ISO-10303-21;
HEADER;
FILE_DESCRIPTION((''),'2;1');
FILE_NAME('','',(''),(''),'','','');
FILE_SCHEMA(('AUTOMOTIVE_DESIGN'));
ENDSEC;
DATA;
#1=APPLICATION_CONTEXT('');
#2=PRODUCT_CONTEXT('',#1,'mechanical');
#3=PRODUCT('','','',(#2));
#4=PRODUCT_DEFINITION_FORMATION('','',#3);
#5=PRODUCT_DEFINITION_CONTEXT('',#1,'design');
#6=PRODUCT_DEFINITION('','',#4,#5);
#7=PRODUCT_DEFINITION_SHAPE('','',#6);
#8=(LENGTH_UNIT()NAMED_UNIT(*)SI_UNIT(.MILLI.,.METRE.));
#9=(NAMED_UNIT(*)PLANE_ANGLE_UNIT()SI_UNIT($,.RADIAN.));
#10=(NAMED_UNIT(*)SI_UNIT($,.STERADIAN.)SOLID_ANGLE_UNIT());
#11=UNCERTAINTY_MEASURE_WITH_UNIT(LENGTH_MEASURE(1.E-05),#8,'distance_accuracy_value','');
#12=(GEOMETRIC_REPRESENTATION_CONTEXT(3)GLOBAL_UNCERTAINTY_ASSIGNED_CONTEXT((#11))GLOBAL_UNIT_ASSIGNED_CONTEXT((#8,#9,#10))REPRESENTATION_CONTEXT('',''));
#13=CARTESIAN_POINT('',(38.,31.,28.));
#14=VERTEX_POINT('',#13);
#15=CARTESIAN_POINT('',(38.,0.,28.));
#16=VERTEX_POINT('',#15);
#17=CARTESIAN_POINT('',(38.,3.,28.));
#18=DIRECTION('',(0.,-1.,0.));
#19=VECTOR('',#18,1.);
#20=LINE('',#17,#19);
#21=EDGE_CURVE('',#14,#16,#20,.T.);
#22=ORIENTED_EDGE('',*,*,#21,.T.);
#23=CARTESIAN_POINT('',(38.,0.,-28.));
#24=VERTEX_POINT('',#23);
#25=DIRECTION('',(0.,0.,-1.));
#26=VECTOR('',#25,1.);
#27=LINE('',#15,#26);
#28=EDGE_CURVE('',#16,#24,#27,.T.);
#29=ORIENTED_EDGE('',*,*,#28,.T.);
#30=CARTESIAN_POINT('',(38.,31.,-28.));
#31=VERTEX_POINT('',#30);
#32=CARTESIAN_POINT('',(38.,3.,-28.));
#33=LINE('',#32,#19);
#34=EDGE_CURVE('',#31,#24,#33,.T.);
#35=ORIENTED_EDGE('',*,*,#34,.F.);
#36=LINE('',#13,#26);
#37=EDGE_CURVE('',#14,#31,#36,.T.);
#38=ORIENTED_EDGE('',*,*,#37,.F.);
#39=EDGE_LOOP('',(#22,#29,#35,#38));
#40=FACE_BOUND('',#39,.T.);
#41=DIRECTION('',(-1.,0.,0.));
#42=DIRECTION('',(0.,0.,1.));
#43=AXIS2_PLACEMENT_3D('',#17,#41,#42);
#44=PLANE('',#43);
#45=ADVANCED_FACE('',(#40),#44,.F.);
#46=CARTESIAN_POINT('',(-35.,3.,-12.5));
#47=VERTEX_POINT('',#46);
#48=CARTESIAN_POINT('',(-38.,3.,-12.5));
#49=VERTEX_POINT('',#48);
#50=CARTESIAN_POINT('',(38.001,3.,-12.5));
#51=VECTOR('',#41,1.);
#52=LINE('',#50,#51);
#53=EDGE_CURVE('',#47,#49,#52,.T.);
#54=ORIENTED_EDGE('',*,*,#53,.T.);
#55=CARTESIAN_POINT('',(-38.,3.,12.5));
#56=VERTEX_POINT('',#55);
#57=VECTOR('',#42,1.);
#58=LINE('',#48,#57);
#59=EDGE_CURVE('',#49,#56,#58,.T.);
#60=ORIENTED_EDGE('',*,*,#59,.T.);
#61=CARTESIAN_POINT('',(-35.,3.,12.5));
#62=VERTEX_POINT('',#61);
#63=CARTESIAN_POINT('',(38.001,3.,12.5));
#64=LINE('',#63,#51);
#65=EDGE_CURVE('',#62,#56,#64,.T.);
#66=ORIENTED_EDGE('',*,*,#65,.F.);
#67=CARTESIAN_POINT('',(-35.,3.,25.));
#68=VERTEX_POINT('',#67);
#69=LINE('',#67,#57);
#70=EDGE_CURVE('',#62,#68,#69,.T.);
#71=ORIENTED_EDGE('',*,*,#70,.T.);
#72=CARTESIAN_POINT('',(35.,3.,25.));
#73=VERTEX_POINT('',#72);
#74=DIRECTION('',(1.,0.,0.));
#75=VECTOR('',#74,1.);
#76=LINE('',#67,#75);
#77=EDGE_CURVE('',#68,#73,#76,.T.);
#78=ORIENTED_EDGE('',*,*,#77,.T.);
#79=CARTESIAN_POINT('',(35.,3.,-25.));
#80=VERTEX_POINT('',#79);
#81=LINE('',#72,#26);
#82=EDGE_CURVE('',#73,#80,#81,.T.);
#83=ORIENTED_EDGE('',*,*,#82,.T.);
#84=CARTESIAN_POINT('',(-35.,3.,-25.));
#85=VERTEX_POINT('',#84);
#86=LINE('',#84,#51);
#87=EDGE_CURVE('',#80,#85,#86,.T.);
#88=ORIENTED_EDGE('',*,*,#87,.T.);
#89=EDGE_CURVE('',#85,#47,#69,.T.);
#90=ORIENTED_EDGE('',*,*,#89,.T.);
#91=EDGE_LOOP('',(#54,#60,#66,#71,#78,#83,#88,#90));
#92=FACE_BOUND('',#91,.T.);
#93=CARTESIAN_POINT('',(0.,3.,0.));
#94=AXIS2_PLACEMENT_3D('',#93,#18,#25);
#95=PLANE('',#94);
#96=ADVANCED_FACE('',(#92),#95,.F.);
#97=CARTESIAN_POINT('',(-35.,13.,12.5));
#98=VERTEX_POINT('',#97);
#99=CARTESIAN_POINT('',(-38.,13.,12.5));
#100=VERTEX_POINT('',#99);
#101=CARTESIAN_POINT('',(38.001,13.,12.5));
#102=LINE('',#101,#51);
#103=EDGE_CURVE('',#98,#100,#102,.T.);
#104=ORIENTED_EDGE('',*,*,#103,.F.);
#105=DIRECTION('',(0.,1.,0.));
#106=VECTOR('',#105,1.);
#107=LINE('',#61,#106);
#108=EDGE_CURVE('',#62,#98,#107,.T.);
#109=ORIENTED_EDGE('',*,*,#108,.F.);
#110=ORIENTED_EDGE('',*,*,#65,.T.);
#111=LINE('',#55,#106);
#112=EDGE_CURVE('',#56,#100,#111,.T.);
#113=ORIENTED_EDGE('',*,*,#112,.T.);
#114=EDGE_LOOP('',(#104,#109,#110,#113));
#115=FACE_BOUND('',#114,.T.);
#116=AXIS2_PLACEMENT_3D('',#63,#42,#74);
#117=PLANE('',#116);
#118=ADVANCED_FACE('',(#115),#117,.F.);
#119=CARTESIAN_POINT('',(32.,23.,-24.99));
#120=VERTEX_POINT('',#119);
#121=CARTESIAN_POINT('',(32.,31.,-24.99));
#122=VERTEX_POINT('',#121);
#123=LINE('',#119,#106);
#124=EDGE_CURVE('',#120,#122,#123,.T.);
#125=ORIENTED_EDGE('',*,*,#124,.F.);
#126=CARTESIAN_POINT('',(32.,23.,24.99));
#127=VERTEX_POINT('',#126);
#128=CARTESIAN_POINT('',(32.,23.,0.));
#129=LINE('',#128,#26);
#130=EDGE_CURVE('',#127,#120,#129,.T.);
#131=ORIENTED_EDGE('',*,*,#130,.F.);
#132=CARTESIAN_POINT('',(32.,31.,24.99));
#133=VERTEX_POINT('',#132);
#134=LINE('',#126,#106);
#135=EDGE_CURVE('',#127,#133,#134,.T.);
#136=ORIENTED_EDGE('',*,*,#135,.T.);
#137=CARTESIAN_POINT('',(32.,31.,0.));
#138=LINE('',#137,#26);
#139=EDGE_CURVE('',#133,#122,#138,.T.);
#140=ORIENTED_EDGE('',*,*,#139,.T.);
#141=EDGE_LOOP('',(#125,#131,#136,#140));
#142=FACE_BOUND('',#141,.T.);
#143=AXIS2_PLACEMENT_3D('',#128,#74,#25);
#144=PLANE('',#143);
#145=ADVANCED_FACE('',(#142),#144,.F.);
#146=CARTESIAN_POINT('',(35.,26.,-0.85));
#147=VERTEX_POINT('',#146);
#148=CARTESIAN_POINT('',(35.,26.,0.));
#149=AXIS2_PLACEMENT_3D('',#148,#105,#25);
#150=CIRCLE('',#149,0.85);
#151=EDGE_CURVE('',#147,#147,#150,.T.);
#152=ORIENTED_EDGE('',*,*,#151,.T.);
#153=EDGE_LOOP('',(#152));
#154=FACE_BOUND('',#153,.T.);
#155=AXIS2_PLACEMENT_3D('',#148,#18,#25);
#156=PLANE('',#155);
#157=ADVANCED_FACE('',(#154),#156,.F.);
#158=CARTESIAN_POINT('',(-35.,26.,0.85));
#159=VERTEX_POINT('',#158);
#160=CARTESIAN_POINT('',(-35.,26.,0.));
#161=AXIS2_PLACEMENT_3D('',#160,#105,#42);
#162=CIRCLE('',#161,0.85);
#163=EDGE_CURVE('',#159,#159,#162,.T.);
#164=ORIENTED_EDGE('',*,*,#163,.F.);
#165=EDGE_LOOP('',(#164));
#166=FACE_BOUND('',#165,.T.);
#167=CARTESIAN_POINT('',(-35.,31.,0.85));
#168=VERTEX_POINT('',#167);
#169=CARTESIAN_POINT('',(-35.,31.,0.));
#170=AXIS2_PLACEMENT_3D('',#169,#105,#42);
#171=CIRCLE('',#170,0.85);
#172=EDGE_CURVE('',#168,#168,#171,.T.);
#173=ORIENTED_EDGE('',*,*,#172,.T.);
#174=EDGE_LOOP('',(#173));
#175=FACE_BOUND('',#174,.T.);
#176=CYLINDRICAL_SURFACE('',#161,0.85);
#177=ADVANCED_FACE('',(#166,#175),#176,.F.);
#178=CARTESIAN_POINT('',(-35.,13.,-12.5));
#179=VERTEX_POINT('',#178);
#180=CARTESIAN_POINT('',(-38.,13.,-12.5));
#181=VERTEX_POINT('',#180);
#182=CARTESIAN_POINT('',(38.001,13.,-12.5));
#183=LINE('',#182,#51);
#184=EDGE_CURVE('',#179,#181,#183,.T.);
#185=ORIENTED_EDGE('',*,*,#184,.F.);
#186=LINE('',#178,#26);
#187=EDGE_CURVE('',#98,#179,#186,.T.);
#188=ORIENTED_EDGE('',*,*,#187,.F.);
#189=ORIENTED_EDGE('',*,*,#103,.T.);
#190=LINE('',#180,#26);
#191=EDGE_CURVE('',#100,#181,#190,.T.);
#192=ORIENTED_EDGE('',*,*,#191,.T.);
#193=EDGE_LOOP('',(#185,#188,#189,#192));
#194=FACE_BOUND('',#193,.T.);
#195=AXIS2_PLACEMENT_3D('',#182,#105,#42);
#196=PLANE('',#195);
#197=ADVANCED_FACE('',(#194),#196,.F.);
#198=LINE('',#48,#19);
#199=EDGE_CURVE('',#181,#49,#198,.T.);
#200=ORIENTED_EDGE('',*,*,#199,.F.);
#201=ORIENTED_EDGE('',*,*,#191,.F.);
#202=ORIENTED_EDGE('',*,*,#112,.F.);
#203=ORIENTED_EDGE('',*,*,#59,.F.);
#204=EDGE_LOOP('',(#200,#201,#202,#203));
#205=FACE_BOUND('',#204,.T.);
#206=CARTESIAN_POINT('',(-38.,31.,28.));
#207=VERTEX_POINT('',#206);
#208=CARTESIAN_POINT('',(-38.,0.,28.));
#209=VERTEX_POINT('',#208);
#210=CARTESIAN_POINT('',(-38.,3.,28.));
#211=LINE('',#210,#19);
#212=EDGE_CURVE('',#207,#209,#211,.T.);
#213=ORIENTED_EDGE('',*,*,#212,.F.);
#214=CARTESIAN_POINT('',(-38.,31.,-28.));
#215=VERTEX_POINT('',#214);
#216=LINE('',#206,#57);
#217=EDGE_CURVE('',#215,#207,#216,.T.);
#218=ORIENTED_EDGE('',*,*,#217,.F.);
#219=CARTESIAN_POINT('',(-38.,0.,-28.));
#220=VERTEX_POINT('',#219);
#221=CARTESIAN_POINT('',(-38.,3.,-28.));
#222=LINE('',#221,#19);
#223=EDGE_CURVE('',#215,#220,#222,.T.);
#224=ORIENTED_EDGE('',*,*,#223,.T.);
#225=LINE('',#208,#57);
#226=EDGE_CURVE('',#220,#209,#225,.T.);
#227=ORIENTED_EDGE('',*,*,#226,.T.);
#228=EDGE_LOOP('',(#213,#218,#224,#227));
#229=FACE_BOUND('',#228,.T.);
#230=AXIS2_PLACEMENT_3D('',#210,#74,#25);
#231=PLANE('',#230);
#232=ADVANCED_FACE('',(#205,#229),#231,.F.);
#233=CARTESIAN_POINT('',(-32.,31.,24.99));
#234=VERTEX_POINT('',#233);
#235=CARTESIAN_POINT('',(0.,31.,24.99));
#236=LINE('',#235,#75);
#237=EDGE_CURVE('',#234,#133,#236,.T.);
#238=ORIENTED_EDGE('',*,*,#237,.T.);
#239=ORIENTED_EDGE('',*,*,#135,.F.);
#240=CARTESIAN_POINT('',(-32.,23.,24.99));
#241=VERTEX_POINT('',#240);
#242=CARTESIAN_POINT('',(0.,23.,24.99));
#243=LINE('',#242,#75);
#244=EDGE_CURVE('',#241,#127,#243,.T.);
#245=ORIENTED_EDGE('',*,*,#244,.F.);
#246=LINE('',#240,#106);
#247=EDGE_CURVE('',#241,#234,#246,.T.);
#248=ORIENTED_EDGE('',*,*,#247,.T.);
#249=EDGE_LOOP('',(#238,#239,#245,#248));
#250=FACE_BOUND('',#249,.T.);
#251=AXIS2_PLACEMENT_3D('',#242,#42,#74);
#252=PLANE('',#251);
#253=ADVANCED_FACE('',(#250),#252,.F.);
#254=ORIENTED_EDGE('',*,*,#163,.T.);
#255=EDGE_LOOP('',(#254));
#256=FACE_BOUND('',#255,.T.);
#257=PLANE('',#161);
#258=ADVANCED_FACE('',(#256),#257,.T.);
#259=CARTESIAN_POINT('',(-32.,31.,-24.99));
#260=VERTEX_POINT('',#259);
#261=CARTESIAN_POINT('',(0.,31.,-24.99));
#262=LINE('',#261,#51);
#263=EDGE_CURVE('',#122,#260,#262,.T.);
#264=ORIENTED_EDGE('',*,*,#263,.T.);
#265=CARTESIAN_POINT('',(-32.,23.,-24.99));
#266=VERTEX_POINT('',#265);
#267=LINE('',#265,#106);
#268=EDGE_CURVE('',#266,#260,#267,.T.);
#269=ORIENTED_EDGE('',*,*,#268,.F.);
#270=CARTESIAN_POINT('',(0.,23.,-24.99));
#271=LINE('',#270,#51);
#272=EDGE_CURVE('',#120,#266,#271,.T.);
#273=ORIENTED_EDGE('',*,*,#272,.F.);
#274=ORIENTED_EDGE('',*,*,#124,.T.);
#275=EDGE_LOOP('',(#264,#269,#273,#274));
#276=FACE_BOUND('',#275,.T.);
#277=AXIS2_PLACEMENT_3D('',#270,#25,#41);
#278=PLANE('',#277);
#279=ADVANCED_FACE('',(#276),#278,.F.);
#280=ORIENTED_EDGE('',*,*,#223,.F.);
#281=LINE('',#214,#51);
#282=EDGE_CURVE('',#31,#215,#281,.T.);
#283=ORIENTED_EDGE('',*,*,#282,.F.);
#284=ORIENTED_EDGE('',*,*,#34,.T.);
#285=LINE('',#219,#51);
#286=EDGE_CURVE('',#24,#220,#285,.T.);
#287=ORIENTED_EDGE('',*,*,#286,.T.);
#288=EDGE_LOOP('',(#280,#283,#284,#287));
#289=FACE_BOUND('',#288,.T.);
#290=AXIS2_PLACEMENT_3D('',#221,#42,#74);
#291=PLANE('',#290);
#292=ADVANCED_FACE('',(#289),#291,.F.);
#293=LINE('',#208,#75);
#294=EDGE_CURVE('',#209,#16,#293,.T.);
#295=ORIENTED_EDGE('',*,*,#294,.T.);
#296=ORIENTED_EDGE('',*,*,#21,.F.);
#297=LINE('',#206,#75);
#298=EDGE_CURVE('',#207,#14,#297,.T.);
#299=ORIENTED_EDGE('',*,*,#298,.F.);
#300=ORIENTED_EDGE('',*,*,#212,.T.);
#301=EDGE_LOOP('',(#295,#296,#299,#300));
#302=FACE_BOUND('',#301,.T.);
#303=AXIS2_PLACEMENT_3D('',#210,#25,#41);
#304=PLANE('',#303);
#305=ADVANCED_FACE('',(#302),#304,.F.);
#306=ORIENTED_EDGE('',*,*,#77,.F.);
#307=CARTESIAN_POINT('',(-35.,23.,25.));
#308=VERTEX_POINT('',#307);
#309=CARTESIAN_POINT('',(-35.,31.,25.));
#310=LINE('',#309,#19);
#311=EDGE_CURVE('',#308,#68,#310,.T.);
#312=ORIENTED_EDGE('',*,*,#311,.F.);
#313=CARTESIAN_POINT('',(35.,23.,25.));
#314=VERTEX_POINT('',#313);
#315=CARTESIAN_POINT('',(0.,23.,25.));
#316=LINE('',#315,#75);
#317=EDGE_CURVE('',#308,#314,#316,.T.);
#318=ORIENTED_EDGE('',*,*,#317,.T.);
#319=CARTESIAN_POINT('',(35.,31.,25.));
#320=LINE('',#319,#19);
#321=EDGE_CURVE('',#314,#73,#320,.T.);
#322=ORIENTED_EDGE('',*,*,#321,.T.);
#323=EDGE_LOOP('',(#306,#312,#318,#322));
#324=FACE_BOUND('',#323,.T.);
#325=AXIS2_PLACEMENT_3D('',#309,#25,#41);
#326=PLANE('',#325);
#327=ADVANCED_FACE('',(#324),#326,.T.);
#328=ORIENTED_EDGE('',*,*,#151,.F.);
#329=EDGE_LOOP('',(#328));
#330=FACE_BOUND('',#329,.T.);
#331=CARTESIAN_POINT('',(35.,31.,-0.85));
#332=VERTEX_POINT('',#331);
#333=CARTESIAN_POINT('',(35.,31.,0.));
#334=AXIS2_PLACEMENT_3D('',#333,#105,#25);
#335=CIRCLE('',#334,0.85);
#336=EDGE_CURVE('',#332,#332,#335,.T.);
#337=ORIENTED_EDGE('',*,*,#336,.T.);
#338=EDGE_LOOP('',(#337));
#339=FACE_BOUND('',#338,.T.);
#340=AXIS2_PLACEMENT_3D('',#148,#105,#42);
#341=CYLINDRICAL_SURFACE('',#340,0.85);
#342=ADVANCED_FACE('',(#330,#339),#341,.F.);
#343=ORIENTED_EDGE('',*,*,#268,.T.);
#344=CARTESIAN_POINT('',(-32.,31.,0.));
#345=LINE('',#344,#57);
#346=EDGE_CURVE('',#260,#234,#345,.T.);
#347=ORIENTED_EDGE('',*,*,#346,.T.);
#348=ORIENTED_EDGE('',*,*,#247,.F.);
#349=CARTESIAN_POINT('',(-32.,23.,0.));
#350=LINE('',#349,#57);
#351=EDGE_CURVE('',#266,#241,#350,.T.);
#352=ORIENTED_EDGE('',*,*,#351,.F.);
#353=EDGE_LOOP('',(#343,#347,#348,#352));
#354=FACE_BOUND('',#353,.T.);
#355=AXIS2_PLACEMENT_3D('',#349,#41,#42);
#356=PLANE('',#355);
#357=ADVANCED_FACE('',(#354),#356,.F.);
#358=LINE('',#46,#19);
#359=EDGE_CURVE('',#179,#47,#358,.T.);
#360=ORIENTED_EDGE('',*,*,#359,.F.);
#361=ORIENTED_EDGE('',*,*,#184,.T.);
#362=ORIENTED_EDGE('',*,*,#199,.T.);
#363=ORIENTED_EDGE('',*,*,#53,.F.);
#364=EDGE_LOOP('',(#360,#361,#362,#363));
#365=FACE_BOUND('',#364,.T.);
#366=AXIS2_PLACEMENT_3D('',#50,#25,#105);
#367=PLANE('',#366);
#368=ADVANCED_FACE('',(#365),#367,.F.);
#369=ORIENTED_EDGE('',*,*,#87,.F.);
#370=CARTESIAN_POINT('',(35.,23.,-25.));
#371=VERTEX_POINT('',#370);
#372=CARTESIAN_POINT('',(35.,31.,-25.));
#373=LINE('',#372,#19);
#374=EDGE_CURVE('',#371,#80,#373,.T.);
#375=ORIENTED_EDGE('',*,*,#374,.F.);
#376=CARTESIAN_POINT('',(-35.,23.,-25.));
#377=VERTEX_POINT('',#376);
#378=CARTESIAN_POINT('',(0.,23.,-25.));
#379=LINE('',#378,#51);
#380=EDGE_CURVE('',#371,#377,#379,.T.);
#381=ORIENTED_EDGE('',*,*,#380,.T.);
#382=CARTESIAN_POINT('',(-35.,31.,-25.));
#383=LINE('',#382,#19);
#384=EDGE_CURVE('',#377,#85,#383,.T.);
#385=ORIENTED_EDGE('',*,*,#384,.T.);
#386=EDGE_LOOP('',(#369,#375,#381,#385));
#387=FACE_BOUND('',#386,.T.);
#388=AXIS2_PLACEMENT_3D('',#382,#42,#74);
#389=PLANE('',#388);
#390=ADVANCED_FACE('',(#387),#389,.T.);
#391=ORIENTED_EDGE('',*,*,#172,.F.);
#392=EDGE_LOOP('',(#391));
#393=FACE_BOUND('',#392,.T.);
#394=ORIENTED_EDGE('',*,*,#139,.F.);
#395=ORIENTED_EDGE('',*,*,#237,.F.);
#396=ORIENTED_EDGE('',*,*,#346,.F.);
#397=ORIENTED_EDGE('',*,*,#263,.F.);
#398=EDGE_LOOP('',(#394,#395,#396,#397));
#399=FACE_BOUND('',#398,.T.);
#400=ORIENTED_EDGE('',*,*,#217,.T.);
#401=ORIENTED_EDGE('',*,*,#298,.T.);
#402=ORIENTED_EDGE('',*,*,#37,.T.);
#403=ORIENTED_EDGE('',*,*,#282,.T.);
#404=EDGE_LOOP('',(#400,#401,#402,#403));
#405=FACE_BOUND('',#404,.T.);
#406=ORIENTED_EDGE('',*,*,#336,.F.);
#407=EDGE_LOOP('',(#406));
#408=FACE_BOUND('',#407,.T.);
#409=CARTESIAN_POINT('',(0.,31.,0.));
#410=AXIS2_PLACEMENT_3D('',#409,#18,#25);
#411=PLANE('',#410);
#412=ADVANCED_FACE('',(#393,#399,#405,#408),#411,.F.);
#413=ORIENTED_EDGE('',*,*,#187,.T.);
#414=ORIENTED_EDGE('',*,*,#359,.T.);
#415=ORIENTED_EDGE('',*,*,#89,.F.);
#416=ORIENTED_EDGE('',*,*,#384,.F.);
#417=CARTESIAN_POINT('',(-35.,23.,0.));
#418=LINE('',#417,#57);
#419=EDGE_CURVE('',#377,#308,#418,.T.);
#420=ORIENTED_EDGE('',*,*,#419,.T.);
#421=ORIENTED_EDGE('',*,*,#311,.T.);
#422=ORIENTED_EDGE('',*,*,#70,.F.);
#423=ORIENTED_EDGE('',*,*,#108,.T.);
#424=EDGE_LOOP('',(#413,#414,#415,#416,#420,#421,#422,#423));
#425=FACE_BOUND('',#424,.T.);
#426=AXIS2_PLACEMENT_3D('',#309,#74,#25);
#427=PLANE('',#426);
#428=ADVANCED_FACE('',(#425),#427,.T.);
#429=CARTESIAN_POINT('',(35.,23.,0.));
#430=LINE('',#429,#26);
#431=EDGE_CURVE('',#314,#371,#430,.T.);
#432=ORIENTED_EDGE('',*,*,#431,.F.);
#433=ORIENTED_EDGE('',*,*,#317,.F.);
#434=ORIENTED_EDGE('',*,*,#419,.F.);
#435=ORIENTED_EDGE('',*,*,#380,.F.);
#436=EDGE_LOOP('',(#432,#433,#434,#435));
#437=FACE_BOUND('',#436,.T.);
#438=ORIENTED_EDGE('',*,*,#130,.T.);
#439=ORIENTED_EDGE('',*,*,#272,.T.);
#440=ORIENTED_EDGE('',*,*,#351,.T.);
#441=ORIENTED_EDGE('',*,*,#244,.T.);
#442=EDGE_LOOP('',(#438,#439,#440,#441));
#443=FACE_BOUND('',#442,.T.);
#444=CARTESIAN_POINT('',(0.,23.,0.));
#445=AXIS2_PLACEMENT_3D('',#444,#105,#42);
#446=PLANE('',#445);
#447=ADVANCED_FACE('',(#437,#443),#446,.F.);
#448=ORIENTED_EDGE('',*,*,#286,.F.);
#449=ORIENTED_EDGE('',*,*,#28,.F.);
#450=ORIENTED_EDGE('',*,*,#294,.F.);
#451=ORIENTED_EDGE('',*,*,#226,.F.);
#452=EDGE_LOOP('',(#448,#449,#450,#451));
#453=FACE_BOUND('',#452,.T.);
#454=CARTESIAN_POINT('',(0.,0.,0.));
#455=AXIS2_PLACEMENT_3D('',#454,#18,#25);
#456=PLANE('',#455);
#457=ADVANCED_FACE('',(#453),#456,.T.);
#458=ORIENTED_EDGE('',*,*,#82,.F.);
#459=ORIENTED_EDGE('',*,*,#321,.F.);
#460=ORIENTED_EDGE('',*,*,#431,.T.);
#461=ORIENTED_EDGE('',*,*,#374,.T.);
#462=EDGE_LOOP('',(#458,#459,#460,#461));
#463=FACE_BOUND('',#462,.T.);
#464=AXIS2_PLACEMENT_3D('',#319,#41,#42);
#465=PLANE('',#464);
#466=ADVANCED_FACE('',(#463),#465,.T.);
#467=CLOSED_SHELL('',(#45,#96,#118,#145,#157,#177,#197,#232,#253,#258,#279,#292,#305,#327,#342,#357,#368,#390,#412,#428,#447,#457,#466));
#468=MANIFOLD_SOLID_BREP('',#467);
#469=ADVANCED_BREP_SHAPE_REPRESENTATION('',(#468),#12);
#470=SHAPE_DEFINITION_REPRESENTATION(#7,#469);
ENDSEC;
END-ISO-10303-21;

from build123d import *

# Parameters (mm, degrees)
SKETCH1_W           = 76
SKETCH1_H           = 56
BOSS_EXTRUDE1_DEPTH = 3
SKETCH2_W           = 76
SKETCH2_H           = 56
SKETCH2_W_2         = 70
SKETCH2_H_2         = 50
BOSS_EXTRUDE2_DEPTH = 28
CUT_EXTRUDE1_REACH  = 88.724
SKETCH3_W           = 25
SKETCH3_H           = 10
BOSS_EXTRUDE3_START = 31
SKETCH4_W           = 70
SKETCH4_H           = 50
SKETCH4_W_2         = 64
SKETCH4_H_2         = 49.98
BOSS_EXTRUDE3_DEPTH = 8
SKETCH5_R           = 0.85
CUT_EXTRUDE2_DEPTH  = 5


with BuildPart() as part:
    # Sketch1 → Boss-Extrude1 (new body)
    with BuildSketch(Plane(origin=(0, 0, 0), x_dir=(1, 0, 0), z_dir=(0, 1, 0))):
        Rectangle(SKETCH1_W, SKETCH1_H)
    extrude(amount=BOSS_EXTRUDE1_DEPTH)

    # Sketch2 → Boss-Extrude2 (add)
    with BuildSketch(Plane(origin=(0, 3, 0), x_dir=(1, 0, 0), z_dir=(0, 1, 0))):
        Rectangle(SKETCH2_W, SKETCH2_H)
        Rectangle(SKETCH2_W_2, SKETCH2_H_2, mode=Mode.SUBTRACT)
    extrude(amount=BOSS_EXTRUDE2_DEPTH)

    # Sketch3 → Cut-Extrude1 (cut, up to next)
    with BuildSketch(Plane.ZY.offset(38), mode=Mode.PRIVATE) as cut_extrude1_sk1:
        with Locations((0, 8)):
            Rectangle(SKETCH3_W, SKETCH3_H)
    cut_extrude1_tool1 = extrude(cut_extrude1_sk1.sketch, amount=-CUT_EXTRUDE1_REACH, mode=Mode.PRIVATE) & part.part
    add(cut_extrude1_tool1.solids().sort_by_distance((-38, 8, 0))[0], mode=Mode.SUBTRACT)

    # Sketch4 → Boss-Extrude3 (add)
    with BuildSketch(Plane(origin=(0, 0, 0), x_dir=(1, 0, 0), z_dir=(0, 1, 0)).offset(BOSS_EXTRUDE3_START)):
        Rectangle(SKETCH4_W, SKETCH4_H)
        Rectangle(SKETCH4_W_2, SKETCH4_H_2, mode=Mode.SUBTRACT)
    extrude(amount=-BOSS_EXTRUDE3_DEPTH)

    # Sketch5 → Cut-Extrude2 (cut)
    with BuildSketch(Plane(origin=(0, 31, 0), x_dir=(1, 0, 0), z_dir=(0, 1, 0))):
        with Locations(Location((-35, 0, 0), (0, 0, 270))):
            Circle(SKETCH5_R)
        with Locations(Location((35, 0, 0), (0, 0, 90))):
            Circle(SKETCH5_R)
    extrude(amount=-CUT_EXTRUDE2_DEPTH, mode=Mode.SUBTRACT)


solid = part.part
